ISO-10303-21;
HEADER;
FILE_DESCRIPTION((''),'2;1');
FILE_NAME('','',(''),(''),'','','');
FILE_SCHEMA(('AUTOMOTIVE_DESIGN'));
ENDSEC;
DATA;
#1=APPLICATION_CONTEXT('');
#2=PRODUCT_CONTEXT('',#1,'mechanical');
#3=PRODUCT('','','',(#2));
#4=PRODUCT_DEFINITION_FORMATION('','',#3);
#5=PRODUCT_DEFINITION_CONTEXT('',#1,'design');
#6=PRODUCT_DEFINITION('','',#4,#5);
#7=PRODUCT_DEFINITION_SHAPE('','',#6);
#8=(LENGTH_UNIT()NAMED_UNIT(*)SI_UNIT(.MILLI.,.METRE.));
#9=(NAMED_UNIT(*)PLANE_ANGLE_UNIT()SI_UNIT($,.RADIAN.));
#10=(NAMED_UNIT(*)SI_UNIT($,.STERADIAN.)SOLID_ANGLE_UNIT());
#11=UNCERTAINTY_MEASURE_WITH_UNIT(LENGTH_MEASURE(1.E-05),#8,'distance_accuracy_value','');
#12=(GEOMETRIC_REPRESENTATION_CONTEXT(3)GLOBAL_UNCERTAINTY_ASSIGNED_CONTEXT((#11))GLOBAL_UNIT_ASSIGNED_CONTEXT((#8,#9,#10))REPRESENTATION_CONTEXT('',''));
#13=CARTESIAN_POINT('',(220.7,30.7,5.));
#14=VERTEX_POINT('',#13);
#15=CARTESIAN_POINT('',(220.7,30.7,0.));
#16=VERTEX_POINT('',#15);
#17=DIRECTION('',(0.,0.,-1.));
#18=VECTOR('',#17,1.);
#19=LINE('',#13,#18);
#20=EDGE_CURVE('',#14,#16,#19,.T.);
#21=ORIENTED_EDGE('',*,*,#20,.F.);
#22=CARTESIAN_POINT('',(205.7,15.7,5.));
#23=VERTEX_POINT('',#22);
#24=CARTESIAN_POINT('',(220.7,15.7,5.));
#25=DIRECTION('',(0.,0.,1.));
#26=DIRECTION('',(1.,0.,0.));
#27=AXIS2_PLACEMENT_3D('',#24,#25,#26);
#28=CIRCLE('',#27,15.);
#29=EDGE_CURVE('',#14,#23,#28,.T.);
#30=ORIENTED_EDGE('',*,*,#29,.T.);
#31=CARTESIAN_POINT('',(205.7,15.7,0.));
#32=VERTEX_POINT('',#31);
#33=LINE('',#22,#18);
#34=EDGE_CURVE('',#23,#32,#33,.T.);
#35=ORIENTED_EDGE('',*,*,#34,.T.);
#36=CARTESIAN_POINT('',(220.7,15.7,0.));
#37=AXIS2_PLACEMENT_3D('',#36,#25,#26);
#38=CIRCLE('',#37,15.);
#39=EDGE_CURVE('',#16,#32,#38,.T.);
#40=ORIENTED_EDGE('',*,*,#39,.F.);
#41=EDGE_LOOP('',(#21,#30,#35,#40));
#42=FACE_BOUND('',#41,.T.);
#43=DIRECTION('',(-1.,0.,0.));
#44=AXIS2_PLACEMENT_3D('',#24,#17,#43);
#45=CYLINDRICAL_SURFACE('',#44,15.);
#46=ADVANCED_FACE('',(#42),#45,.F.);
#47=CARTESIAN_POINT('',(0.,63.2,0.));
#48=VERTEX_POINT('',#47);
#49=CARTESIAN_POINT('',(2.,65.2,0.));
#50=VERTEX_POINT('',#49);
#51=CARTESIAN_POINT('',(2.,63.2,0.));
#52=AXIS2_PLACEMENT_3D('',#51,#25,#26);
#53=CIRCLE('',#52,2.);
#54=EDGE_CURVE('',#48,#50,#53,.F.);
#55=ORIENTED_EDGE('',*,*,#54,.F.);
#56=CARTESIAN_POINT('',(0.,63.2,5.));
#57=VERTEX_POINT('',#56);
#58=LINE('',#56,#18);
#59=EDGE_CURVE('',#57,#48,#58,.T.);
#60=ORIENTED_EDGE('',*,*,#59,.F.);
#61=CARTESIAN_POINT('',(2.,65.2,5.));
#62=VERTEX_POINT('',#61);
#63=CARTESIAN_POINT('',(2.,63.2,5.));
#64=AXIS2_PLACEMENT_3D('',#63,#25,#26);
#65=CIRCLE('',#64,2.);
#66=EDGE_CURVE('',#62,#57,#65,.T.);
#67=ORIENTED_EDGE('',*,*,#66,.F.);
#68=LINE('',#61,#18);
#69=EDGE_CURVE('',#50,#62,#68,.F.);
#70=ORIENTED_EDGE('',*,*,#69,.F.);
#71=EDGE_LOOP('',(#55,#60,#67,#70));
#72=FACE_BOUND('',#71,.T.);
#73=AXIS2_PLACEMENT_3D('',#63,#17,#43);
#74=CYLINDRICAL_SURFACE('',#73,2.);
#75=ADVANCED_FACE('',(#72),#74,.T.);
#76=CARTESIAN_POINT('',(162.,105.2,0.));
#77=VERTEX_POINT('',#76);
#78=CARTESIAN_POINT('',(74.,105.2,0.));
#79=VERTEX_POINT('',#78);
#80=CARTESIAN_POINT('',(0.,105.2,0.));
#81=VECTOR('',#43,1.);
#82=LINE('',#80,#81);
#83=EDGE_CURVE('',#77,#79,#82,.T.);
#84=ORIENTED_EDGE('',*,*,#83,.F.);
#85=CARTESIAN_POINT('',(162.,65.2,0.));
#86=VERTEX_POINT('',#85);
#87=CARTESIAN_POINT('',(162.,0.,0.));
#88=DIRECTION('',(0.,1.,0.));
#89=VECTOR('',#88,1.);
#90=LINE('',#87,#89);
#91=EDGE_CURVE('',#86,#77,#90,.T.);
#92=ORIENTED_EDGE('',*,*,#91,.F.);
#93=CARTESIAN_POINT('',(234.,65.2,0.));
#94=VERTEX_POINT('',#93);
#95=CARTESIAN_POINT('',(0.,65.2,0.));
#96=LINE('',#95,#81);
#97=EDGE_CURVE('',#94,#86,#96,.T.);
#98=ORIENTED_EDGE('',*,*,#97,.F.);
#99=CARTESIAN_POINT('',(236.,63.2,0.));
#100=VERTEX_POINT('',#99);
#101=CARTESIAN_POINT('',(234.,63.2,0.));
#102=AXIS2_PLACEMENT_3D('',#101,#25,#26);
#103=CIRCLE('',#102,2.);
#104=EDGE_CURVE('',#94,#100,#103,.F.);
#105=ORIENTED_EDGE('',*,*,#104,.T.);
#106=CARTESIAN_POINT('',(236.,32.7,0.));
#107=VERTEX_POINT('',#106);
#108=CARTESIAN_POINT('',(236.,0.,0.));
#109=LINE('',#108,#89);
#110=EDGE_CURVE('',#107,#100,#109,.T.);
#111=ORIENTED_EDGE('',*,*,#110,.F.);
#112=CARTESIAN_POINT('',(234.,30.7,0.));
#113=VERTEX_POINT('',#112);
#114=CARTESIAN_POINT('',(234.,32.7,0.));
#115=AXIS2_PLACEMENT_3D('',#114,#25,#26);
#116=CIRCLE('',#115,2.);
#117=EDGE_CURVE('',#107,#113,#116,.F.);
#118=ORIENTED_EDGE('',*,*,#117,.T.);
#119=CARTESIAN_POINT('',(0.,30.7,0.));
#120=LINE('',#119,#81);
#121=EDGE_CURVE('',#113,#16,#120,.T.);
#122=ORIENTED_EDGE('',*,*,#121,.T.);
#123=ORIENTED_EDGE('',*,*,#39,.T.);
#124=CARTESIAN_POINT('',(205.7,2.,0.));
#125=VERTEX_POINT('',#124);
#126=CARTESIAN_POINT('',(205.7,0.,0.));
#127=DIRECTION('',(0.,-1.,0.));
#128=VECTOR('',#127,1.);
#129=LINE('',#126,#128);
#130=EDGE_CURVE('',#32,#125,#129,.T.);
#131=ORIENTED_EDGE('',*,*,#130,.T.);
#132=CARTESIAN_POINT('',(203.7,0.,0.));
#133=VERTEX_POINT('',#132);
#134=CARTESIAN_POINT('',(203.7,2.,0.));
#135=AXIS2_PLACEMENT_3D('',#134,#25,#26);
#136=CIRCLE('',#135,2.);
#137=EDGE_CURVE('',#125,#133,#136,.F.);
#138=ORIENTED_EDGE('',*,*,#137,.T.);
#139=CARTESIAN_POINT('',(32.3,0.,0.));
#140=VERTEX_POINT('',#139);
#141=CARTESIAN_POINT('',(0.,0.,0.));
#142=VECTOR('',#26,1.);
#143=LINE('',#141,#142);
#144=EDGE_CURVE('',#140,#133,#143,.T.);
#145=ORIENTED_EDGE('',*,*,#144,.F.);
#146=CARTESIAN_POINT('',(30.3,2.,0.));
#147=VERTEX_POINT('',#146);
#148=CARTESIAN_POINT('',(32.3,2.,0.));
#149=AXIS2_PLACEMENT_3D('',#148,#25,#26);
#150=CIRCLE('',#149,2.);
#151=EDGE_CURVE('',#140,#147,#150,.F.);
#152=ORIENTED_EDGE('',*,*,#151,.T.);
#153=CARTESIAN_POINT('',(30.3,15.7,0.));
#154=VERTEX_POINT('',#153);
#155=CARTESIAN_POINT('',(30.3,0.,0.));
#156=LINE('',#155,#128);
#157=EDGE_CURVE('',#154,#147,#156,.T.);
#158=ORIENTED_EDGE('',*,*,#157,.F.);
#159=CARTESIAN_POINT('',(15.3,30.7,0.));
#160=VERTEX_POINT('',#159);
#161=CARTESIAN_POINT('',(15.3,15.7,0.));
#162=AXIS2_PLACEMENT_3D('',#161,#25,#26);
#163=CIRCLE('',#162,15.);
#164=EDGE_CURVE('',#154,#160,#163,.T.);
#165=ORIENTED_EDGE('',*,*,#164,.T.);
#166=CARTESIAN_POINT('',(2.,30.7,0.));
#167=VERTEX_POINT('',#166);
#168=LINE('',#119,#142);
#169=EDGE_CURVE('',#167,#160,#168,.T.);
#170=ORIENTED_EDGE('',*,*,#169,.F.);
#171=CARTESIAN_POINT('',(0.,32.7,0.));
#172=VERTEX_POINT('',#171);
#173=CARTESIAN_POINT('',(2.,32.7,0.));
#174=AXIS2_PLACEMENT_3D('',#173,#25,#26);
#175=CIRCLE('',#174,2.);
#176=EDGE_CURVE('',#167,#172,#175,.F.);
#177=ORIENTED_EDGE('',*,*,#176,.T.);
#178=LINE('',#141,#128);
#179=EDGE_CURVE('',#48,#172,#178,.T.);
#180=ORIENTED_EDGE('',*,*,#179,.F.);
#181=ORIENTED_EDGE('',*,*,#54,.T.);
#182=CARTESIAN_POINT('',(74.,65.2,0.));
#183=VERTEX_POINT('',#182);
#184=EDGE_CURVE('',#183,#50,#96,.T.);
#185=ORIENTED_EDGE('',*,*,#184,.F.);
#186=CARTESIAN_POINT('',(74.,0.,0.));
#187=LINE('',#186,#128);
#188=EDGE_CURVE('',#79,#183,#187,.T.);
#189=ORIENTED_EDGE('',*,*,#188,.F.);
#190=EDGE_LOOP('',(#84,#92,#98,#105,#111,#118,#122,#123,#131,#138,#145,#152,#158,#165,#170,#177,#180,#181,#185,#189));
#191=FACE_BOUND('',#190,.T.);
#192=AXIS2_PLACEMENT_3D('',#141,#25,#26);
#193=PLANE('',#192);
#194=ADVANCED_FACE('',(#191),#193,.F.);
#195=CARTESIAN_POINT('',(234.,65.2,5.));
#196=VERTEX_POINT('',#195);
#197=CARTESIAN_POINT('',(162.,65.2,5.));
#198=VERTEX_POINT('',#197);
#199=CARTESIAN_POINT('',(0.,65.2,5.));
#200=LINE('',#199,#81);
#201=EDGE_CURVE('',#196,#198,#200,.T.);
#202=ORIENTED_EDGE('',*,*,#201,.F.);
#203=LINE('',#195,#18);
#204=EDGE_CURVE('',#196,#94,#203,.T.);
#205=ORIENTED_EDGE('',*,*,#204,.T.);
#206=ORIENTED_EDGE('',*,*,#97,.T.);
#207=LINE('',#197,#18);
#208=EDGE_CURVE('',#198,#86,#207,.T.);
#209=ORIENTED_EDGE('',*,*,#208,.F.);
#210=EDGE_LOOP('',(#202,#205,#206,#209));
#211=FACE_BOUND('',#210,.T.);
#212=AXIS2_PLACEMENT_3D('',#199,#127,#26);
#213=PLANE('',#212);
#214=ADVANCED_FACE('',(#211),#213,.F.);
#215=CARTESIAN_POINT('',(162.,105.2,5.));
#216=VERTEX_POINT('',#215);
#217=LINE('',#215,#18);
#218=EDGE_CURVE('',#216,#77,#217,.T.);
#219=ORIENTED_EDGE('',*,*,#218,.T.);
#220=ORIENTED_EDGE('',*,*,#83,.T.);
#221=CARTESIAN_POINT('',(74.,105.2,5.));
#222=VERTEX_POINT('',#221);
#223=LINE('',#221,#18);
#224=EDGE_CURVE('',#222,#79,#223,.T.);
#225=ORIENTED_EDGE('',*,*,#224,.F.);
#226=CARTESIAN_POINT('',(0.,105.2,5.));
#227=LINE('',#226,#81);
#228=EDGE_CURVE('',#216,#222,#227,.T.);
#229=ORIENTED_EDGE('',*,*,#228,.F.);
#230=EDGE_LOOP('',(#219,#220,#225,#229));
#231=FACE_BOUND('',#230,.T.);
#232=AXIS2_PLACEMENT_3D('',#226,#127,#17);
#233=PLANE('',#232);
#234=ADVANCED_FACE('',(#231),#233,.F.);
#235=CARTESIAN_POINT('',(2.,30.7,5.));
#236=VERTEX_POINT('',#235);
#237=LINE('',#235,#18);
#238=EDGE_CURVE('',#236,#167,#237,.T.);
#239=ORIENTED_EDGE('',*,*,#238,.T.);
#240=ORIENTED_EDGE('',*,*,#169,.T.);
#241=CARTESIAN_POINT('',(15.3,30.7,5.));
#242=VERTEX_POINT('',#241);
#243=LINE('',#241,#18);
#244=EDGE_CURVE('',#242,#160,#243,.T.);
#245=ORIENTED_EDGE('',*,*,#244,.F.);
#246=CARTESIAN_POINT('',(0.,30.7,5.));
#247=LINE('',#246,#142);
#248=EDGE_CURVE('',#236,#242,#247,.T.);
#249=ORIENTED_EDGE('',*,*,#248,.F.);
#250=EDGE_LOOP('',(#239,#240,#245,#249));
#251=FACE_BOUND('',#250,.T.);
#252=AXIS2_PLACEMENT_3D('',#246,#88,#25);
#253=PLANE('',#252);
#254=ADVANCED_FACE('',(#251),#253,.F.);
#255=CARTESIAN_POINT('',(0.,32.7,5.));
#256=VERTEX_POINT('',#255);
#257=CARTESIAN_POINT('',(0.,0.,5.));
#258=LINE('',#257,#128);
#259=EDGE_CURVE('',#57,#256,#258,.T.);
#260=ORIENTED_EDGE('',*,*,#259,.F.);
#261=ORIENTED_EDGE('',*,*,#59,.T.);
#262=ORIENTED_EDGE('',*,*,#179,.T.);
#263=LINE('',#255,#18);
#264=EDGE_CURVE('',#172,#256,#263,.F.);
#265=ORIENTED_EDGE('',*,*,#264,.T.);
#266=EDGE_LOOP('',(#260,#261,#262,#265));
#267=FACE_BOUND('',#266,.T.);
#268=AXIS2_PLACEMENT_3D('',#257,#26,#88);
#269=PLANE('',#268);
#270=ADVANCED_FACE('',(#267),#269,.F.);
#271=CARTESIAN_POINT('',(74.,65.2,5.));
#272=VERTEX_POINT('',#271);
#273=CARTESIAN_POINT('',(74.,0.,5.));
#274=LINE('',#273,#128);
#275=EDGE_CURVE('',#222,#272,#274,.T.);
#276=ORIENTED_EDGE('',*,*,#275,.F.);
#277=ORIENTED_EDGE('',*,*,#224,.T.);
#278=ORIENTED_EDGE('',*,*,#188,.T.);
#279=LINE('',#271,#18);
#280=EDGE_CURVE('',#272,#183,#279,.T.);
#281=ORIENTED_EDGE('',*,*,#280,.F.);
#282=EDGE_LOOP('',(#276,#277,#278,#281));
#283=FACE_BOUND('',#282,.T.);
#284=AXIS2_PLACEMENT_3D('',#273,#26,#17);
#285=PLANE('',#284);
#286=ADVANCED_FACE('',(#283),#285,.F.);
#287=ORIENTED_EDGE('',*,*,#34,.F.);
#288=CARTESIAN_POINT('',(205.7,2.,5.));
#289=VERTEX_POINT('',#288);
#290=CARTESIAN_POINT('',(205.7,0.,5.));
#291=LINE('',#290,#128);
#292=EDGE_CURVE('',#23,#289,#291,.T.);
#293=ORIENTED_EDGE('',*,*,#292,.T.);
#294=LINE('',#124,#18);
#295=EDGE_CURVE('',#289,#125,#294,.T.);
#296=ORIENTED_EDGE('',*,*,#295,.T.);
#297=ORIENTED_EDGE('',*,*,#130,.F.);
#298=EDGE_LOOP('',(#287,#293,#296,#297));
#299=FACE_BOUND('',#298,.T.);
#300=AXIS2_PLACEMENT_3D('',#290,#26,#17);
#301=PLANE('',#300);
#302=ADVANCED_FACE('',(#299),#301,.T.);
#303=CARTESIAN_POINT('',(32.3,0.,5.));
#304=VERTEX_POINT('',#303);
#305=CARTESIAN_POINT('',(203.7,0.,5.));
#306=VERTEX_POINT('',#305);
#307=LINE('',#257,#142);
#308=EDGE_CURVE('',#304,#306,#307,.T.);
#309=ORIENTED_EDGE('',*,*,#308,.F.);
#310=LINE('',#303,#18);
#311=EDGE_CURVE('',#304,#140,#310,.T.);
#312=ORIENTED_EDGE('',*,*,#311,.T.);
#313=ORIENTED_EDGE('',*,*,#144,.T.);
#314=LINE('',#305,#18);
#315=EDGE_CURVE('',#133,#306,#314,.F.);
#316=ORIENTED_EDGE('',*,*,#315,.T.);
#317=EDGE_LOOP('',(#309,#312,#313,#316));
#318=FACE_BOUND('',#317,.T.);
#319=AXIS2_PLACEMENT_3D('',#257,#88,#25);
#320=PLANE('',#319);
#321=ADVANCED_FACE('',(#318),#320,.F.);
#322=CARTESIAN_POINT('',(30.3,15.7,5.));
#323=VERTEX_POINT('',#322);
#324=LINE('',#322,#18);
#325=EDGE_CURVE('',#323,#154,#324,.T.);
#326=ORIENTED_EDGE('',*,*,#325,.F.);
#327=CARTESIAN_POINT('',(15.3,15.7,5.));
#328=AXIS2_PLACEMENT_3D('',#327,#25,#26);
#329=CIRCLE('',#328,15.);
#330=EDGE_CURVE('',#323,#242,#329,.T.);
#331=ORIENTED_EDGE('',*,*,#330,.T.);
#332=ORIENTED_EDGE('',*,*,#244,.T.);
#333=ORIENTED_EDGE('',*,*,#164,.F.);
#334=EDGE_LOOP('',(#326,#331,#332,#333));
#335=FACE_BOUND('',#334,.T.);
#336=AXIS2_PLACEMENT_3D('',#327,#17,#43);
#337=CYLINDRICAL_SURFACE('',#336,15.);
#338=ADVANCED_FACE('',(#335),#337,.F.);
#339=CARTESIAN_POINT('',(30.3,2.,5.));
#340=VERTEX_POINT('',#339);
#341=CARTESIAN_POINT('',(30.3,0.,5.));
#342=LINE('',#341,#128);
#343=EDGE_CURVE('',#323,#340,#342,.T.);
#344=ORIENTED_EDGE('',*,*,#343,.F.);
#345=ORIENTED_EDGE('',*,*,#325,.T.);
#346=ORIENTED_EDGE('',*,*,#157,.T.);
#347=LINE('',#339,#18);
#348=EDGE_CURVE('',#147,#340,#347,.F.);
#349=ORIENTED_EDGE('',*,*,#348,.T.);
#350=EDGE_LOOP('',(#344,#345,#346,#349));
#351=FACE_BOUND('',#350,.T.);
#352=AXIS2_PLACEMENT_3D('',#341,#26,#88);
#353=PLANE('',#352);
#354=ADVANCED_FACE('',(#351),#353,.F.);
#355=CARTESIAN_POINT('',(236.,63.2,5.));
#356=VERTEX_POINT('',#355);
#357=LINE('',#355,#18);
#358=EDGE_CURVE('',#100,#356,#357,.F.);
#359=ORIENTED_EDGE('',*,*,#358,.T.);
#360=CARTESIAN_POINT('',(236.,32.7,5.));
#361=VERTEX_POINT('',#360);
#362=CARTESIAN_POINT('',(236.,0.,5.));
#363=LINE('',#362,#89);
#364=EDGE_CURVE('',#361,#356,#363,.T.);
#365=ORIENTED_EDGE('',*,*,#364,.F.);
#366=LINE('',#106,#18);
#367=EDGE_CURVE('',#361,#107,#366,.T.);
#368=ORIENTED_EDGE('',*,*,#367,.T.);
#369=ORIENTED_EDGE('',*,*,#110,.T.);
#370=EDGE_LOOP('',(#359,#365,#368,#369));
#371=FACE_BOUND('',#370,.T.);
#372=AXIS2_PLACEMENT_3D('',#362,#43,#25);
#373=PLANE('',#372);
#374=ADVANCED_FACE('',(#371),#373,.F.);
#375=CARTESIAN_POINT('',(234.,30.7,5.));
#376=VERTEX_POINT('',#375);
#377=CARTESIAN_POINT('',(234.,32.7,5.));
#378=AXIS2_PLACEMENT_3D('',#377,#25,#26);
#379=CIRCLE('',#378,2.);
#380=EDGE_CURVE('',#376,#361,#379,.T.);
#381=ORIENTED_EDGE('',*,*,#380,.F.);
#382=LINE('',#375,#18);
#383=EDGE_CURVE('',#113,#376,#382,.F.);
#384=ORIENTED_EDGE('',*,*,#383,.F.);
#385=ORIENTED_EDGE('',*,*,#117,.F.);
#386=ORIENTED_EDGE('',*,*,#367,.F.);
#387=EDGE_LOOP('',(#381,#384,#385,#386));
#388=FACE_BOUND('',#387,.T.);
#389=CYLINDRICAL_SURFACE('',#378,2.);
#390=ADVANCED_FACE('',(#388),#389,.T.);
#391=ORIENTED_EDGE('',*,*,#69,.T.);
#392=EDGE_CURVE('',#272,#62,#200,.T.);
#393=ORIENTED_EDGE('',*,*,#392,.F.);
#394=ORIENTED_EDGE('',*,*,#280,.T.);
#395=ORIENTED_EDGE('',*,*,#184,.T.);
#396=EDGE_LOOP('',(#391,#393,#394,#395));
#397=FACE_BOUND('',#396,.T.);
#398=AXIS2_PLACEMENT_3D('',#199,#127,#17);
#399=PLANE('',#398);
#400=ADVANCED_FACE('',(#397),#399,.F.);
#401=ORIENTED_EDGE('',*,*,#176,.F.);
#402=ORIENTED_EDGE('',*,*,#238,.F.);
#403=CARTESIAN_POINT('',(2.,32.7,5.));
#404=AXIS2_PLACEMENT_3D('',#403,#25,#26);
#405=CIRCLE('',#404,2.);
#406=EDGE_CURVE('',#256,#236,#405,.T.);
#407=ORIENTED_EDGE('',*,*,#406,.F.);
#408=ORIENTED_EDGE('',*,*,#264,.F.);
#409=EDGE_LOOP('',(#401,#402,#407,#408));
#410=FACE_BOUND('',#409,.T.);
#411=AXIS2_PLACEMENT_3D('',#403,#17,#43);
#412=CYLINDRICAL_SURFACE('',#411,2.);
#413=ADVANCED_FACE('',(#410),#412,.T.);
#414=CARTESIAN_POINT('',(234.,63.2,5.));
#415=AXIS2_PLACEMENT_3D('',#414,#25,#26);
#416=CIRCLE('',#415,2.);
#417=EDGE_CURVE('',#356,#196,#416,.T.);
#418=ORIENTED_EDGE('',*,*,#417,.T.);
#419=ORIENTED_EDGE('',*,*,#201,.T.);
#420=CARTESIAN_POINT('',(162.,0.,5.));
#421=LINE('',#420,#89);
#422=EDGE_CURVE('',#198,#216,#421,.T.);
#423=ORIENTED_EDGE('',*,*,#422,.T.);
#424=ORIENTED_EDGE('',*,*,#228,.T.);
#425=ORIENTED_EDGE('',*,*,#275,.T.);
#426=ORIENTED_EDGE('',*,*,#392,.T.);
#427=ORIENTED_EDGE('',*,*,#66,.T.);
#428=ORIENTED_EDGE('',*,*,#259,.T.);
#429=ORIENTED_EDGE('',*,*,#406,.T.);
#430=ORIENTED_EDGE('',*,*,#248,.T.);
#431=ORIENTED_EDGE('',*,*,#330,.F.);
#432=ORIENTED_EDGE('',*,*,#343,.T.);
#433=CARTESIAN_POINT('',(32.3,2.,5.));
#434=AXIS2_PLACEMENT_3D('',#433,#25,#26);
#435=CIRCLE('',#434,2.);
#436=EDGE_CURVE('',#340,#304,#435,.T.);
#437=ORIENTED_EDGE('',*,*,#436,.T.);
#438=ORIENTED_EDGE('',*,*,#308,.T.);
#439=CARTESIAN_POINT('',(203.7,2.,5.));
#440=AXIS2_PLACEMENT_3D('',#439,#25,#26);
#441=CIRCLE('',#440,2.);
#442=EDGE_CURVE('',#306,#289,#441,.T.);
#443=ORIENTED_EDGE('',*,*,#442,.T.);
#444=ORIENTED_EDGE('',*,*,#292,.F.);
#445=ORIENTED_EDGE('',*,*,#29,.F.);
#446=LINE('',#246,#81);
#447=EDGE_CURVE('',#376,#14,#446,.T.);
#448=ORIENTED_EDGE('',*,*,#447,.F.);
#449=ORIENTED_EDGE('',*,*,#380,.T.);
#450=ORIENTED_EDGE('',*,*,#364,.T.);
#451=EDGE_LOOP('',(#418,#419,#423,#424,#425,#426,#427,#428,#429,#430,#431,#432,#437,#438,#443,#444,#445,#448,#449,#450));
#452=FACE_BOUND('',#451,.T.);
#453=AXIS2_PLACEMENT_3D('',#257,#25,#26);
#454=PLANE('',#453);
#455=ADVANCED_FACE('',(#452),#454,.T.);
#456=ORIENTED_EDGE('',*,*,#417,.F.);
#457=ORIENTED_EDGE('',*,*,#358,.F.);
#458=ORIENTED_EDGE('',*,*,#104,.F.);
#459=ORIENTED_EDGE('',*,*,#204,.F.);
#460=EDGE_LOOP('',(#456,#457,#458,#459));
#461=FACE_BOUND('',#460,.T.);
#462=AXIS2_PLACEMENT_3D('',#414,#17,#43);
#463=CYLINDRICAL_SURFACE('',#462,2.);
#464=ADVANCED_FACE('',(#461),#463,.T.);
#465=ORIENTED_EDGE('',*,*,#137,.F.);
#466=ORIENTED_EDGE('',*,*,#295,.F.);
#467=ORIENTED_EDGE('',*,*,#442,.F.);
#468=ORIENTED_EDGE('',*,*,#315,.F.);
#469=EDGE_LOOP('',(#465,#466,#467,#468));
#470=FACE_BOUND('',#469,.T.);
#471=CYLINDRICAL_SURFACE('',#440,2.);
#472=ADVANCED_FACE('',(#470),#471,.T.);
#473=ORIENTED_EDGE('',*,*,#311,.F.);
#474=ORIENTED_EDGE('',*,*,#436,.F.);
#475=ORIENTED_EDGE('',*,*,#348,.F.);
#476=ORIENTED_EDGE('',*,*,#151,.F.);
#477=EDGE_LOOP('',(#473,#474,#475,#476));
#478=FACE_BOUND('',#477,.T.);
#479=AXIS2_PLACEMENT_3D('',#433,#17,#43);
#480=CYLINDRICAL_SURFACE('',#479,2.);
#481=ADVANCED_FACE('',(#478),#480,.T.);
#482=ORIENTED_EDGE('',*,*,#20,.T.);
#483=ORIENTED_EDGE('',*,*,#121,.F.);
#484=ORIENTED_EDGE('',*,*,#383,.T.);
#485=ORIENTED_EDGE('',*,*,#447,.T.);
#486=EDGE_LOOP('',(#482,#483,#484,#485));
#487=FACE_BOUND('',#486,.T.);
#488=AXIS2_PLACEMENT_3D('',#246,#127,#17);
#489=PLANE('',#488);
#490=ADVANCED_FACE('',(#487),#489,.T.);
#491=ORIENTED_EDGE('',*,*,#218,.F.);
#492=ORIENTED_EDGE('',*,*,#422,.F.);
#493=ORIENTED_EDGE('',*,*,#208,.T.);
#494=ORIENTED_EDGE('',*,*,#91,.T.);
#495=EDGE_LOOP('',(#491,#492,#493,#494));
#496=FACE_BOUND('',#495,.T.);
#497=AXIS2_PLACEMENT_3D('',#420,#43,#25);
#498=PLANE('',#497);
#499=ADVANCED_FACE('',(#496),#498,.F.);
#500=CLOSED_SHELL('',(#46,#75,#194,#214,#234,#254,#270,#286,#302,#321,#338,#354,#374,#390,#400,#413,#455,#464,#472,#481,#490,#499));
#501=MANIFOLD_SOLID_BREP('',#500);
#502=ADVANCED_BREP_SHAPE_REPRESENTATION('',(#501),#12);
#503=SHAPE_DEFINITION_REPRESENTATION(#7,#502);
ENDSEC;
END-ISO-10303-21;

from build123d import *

# Parameters (mm, degrees)
BOSS_EXTRU_1_DEPTH = 5
CONG_1_R           = 2


with BuildPart() as part:
    # Esquisse1 → Boss.-Extru.1 (new body)
    with BuildSketch(Plane.XY):
        Polygon((30.3, 15.7), (30.3, 0), (205.7, 0), (205.7, 15.7), (205.7, 30.7), (220.7, 30.7), (236, 30.7), (236, 65.2), (162, 65.2), (162, 105.2), (74, 105.2), (74, 65.2), (0, 65.2), (0, 30.7), (15.3, 30.7), (30.3, 30.7), align=None)
        with BuildLine():
            ThreePointArc((15.3, 30.7), (25.906601718, 26.306601718), (30.3, 15.7))
            Line((30.3, 15.7), (30.3, 30.7))
            Line((30.3, 30.7), (15.3, 30.7))
        make_face()
        with BuildLine():
            Line((205.7, 30.7), (205.7, 15.7))
            ThreePointArc((205.7, 15.7), (210.093398282, 26.306601718), (220.7, 30.7))
            Line((220.7, 30.7), (205.7, 30.7))
        make_face()
    extrude(amount=BOSS_EXTRU_1_DEPTH)

    # Congé1
    cong_1_edges = [part.edges().sort_by_distance(p)[0] for p in [
        (205.7, 0, 2.5),
        (30.3, 0, 2.5),
        (0, 30.7, 2.5),
        (0, 65.2, 2.5),
        (236, 65.2, 2.5),
        (236, 30.7, 2.5),
    ]]
    fillet(cong_1_edges, radius=CONG_1_R)


solid = part.part
